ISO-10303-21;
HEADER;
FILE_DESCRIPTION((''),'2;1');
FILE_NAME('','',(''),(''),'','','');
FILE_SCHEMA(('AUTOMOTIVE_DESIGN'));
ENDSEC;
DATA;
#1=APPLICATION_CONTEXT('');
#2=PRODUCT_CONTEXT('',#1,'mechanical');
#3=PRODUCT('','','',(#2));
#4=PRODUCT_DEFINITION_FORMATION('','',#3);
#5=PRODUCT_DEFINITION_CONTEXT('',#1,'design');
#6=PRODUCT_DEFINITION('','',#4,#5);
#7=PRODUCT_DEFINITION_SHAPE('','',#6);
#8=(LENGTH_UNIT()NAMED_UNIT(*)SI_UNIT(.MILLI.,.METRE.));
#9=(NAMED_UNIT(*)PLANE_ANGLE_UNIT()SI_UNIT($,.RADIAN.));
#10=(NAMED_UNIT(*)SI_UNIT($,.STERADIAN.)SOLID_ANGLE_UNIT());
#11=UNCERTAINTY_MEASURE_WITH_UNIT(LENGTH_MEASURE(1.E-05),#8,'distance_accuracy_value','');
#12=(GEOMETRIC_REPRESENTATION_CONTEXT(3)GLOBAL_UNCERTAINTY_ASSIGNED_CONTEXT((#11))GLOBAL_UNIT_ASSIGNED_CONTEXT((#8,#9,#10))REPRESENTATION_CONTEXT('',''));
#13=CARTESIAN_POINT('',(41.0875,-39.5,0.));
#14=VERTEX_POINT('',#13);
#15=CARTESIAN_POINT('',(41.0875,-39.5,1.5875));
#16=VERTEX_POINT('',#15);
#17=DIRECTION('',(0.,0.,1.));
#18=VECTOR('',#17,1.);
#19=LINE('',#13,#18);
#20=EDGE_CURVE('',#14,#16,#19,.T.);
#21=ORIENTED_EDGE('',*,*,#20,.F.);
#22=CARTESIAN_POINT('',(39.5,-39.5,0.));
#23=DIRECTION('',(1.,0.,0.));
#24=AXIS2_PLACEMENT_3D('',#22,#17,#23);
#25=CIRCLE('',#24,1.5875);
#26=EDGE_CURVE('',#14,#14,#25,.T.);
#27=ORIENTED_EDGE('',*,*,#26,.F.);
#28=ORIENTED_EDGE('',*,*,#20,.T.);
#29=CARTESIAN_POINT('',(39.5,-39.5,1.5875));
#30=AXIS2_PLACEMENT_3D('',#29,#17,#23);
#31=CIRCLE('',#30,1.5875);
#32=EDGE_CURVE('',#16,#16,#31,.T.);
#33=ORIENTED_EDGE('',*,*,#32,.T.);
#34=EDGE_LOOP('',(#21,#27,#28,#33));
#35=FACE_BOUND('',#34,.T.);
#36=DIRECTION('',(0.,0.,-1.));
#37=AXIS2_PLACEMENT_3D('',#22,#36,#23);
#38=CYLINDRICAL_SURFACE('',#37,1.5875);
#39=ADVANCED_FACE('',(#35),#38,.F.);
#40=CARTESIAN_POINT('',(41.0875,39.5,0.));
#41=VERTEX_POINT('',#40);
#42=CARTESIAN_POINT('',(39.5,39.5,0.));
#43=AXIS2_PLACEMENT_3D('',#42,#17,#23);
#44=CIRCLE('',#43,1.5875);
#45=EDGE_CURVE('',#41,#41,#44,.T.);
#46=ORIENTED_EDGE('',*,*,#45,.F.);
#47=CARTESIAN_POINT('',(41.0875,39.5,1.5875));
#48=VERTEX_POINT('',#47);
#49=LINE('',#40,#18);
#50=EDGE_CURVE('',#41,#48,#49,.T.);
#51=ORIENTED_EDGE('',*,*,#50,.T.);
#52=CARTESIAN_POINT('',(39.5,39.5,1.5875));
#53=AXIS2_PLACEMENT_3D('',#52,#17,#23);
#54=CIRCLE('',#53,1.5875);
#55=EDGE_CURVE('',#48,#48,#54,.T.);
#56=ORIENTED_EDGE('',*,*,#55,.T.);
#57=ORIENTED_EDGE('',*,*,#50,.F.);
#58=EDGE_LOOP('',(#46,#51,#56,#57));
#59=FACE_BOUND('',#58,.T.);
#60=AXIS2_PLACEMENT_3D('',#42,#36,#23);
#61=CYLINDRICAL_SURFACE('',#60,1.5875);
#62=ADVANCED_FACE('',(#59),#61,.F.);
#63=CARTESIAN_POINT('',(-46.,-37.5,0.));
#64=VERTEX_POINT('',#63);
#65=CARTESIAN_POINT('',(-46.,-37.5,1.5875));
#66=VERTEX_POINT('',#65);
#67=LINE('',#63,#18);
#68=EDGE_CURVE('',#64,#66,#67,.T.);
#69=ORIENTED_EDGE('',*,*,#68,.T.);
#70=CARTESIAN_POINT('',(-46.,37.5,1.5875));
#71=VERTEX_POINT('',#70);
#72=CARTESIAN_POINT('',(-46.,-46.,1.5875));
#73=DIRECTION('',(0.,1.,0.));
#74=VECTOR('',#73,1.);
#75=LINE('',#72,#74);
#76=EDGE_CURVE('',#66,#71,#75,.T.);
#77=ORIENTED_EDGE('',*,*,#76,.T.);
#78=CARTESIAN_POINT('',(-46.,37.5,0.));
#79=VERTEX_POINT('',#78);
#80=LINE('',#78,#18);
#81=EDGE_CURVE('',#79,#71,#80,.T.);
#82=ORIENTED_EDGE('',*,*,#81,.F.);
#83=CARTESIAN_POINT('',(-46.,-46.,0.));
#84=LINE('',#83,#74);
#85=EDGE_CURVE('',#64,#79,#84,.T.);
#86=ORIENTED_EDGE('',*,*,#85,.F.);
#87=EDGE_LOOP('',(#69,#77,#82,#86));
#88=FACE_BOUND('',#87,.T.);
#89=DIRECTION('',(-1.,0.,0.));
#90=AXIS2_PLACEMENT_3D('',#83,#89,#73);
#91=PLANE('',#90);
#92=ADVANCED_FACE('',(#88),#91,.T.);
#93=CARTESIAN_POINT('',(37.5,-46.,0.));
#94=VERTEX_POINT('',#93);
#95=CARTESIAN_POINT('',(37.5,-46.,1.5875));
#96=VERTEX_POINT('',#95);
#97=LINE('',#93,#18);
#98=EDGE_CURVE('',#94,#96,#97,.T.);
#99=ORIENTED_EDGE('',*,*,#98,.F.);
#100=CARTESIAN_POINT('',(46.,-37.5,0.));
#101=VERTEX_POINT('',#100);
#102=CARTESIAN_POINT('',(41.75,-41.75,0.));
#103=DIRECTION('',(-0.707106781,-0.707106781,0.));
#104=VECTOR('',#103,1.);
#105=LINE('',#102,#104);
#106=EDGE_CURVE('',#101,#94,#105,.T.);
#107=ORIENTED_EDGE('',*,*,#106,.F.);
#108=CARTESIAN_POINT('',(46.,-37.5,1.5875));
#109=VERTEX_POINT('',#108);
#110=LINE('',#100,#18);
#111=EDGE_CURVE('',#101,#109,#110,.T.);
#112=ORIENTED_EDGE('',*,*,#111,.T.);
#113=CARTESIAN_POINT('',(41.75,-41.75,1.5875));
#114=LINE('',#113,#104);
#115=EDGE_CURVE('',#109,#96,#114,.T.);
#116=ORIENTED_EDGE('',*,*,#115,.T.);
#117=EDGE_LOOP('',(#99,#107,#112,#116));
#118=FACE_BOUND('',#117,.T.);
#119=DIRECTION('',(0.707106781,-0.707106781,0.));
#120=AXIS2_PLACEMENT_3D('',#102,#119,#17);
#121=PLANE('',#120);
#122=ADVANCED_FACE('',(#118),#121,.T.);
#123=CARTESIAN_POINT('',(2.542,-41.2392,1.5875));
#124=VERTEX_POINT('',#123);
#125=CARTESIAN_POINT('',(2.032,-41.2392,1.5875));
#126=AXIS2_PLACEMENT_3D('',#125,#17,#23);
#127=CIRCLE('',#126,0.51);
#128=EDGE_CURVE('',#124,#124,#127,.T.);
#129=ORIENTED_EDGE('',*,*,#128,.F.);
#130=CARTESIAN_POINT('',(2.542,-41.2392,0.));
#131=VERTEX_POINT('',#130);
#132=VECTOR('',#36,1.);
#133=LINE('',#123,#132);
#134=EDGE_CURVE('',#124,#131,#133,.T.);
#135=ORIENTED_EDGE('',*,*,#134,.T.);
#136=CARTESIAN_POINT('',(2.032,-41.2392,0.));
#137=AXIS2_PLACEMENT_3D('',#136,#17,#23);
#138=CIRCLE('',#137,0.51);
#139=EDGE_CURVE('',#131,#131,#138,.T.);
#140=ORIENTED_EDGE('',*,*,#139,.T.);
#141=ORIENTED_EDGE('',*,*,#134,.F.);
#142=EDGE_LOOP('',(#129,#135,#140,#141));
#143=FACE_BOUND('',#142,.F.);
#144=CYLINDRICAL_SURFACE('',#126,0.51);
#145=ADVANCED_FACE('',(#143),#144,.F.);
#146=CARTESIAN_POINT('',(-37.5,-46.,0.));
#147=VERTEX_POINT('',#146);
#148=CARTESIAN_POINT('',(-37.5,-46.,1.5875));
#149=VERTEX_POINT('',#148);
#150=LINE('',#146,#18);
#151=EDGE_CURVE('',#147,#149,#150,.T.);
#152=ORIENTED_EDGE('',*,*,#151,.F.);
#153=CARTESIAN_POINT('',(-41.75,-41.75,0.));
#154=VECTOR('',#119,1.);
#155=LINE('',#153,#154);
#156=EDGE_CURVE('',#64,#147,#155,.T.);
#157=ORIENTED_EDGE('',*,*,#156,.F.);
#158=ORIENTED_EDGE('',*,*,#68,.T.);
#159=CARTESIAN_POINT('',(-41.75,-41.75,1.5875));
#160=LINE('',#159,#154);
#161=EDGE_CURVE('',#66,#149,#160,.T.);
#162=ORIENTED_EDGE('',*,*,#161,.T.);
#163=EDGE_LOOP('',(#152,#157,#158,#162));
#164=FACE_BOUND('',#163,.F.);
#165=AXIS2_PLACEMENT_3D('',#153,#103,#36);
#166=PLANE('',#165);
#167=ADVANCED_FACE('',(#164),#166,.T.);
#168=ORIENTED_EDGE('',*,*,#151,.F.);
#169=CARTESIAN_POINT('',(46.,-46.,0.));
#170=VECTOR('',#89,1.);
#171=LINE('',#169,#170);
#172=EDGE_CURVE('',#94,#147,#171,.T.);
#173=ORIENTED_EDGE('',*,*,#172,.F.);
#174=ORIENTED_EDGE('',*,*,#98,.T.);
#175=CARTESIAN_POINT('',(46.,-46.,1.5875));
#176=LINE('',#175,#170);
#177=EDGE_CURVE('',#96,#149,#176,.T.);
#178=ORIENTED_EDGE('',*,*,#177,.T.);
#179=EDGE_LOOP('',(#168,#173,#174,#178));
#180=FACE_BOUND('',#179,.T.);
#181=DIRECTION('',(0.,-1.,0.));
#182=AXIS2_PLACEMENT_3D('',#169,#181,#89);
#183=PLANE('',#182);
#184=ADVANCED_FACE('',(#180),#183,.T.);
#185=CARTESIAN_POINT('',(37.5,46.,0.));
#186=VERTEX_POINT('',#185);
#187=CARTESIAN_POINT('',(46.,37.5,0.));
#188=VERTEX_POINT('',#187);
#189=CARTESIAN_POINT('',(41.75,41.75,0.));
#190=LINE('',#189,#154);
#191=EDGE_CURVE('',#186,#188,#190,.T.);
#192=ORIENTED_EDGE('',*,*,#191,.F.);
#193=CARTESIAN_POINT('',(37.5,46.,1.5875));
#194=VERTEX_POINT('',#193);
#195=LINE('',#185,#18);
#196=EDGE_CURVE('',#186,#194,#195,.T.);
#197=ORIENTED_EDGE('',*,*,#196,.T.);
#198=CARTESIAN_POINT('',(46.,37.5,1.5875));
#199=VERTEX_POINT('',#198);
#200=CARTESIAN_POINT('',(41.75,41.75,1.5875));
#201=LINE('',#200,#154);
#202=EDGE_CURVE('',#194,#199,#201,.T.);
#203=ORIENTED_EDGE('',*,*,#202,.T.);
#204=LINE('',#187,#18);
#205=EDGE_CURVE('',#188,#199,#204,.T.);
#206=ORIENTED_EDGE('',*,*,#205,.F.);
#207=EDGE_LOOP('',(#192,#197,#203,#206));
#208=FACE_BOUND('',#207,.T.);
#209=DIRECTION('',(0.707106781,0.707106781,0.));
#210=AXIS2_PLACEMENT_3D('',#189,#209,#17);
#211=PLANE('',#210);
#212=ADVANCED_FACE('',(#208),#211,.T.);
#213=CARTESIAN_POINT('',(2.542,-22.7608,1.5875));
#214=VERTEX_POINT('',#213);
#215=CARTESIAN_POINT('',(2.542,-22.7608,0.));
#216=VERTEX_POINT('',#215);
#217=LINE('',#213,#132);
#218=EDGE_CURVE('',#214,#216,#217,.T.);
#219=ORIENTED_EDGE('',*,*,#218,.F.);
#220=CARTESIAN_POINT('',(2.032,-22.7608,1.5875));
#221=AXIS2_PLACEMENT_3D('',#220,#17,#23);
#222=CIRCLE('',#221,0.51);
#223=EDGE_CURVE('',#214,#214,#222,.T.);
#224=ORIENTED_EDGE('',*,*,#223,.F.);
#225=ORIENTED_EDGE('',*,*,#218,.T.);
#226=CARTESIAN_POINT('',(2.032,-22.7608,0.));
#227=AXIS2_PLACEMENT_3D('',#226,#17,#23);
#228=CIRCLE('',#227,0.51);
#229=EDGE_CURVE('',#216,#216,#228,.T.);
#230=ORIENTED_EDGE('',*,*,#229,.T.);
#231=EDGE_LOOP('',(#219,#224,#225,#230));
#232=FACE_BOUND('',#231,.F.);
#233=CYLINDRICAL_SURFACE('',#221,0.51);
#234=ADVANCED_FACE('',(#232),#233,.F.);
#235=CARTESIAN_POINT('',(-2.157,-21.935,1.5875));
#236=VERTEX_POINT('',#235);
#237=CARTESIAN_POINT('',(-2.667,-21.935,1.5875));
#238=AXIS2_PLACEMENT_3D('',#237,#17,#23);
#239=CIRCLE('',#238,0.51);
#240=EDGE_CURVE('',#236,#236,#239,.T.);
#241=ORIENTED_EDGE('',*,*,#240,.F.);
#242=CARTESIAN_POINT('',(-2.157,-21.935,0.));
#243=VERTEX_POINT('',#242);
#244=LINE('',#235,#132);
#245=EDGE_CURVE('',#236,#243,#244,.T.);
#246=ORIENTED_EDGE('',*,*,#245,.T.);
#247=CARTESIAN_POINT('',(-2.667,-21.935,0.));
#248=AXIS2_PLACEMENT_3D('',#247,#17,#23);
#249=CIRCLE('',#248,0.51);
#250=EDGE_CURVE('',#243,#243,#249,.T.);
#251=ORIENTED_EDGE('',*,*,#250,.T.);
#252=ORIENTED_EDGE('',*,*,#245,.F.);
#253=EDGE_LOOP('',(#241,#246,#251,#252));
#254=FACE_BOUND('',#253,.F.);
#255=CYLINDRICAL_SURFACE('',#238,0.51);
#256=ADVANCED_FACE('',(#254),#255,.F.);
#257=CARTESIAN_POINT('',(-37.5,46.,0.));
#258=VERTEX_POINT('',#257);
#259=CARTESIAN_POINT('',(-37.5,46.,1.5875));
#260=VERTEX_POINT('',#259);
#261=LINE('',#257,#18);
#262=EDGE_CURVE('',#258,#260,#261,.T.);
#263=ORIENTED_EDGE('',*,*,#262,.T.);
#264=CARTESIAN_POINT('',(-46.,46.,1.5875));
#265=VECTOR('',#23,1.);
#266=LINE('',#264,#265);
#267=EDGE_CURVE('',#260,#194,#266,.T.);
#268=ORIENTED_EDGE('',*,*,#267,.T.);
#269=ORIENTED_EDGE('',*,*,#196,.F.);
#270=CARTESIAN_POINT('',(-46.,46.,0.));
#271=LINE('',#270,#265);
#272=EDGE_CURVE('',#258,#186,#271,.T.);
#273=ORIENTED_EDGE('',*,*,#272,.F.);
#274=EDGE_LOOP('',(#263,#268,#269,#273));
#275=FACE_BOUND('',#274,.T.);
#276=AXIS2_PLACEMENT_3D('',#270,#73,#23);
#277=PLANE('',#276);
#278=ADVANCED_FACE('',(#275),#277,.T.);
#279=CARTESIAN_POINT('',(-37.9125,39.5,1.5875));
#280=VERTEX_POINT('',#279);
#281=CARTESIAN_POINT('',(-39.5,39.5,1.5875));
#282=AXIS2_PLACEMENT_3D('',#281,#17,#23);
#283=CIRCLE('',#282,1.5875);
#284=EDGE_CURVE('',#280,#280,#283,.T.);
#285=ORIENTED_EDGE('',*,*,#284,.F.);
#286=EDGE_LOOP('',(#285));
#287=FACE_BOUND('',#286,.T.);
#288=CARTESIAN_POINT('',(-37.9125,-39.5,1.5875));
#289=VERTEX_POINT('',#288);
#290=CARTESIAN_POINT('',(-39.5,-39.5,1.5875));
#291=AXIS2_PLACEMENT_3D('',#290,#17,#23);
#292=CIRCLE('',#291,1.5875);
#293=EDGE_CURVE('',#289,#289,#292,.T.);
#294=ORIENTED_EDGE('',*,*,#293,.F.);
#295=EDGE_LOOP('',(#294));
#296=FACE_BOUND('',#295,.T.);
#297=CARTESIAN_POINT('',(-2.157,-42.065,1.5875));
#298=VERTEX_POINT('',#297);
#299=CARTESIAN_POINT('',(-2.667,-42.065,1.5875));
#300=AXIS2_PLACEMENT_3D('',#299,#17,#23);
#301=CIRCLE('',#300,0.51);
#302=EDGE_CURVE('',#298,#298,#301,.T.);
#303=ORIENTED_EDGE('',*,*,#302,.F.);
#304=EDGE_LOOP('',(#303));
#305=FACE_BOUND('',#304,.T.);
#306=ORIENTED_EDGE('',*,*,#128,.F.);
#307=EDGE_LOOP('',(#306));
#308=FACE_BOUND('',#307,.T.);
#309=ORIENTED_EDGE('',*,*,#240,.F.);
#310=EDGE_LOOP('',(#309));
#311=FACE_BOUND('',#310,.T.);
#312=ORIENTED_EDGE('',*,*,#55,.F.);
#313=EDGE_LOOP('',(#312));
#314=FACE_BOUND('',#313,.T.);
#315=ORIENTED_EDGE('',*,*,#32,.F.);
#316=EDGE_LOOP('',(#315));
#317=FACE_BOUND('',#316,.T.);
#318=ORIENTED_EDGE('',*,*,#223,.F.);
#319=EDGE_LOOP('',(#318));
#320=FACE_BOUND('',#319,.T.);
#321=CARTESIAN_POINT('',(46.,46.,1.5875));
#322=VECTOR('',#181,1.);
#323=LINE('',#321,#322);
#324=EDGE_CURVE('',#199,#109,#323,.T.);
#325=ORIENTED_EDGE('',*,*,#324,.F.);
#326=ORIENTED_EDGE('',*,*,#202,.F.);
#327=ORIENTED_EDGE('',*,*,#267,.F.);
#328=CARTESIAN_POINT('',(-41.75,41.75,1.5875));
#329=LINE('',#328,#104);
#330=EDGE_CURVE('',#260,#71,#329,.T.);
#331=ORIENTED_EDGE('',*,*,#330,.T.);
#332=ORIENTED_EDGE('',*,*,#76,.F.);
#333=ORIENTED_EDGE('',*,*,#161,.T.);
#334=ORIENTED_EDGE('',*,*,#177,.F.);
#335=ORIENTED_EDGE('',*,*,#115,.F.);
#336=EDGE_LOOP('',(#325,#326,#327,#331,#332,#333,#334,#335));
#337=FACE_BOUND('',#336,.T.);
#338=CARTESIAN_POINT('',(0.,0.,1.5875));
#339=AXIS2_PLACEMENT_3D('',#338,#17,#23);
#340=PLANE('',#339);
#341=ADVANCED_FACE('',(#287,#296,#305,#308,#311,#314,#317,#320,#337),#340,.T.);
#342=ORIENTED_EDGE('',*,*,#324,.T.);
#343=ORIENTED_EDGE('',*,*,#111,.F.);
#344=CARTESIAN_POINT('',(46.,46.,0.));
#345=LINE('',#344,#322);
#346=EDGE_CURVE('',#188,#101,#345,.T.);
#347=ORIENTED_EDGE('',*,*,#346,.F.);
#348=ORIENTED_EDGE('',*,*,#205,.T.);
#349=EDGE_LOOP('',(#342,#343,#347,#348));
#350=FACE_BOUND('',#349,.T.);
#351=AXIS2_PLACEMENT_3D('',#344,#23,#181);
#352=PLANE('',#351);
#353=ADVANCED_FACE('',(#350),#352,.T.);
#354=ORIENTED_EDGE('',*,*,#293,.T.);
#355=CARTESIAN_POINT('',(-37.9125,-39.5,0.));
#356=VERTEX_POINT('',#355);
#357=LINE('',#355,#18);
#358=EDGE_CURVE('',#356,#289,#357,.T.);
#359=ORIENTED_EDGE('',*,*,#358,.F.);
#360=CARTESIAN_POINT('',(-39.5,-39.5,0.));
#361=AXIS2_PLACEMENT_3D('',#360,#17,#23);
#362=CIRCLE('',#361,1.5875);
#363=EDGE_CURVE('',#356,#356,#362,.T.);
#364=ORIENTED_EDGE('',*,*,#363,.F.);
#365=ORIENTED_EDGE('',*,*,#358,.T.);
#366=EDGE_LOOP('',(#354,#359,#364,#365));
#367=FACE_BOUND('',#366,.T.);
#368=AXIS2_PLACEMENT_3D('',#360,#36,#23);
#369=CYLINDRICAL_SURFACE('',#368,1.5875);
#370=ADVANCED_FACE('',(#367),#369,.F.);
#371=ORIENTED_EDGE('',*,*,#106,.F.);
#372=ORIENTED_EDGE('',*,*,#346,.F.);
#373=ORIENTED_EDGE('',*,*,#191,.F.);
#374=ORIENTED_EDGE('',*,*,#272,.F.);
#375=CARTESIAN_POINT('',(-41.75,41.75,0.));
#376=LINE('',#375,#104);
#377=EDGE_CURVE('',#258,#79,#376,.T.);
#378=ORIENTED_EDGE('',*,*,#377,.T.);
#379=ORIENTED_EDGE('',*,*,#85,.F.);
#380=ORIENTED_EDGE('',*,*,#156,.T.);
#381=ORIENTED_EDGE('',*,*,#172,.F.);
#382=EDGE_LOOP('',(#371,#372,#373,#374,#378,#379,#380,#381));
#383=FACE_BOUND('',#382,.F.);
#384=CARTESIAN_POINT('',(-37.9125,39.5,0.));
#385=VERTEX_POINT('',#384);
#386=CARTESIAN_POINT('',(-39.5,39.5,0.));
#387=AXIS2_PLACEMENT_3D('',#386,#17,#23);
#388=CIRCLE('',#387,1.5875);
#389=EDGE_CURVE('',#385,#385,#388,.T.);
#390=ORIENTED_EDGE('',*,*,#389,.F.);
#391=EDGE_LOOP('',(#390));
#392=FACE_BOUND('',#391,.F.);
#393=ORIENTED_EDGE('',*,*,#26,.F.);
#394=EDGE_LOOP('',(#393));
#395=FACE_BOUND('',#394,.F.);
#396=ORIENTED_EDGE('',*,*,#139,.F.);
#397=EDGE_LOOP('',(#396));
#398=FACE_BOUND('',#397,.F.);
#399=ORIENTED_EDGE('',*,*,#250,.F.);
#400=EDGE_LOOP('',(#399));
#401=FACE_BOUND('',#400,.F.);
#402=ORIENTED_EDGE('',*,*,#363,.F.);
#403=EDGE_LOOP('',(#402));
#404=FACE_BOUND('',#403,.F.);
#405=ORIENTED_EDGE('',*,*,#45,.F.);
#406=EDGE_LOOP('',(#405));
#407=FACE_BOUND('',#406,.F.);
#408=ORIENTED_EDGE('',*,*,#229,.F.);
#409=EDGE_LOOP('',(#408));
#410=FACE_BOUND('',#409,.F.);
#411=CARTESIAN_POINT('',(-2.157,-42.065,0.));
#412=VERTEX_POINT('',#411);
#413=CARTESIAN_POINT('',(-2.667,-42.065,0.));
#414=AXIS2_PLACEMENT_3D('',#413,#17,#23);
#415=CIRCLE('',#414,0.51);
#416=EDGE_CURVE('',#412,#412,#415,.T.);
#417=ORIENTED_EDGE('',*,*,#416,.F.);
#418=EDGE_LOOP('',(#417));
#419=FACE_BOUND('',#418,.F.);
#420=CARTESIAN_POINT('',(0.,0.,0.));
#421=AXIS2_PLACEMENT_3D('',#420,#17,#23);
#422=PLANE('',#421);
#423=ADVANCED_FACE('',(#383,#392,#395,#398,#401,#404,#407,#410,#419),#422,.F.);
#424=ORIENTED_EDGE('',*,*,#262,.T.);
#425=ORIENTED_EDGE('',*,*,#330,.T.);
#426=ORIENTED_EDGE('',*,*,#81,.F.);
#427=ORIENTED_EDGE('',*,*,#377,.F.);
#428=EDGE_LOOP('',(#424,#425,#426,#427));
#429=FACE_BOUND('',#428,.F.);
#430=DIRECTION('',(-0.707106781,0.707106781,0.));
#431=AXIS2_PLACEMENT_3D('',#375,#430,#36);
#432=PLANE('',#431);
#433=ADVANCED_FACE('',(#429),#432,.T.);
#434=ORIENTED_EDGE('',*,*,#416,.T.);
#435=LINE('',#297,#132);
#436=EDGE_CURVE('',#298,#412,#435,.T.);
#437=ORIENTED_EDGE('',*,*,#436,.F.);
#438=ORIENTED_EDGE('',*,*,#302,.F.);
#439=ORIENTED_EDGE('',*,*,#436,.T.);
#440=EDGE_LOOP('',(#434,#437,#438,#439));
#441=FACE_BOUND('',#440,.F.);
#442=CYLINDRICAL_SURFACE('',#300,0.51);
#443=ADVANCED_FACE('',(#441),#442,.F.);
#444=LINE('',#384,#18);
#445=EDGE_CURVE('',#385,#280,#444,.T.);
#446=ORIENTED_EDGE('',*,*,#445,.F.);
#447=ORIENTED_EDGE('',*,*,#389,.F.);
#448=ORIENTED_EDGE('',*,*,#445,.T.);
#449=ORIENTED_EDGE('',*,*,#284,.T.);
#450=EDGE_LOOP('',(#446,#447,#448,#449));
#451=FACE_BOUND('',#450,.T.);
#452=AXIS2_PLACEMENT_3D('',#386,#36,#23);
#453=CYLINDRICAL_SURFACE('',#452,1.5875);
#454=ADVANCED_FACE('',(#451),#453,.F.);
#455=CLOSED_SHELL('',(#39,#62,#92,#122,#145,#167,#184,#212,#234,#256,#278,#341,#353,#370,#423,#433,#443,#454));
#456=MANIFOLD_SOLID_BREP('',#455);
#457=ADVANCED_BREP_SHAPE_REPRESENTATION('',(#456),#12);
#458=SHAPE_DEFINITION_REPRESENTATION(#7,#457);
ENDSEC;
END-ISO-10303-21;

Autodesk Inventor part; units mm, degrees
ref_plane "XY Plane" through (0, 0, 0) normal (0, 0, 1) x (1, 0, 0)
sketch "Sketch1" plane through (0, 0, 0) normal (0, 0, 1) x (1, 0, 0)
  line L0 (-46, 46) -> (46, 46)
  line L1 (46, 46) -> (46, -46)
  line L2 (46, -46) -> (-46, -46)
  line L3 (-46, -46) -> (-46, 46)
  circle A0 centre (39.5, 39.5) radius 1.5875
  circle A1 centre (-39.5, 39.5) radius 1.5875
  circle A2 centre (-39.5, -39.5) radius 1.5875
  circle A3 centre (39.5, -39.5) radius 1.5875
  line L4 (0, 10.5587) -> (0, 0)
  line L5 (0, 0) -> (12.3531, 0)
  circle A4 centre (-39.5, 39.5) radius 3.175 construction
  line L6 (-38, 44.6281) -> (-38, 37.8613) construction
  dimension "d0" = 92
  dimension "d1" = 92
  dimension "d508" = 3.175
  dimension "d509" = 79
  dimension "d510" = 79
  dimension "d511" = 6.35
  dimension "d515" = 76
extrude "Extrusion1" add sketch "Sketch1" along normal blind 1.5875
ref_plane "Work Plane_ConnX" through (-32, 0, 0) normal (1, 0, 0) x (0, 1, 0)
ref_plane "Work Plane_ConnY" through (0, 0, 0) normal (0, 1, 0) x (-1, 0, 0)
sketch "Sketch9" plane through (0, 0, 1.5875) normal (0, 0, 1) x (1, 0, 0)
  line L0 (46, 46) -> (46, -46) projected
  line L1 (58.5598, -32) -> (-58.5598, -32)
  circle A0 centre (-2.667, -21.935) radius 0.51
  circle A1 centre (-2.667, -42.065) radius 0.51
  line L2 (0, 26.5598) -> (0, -90.5598) construction
  point P0 (0, 0)
  point P1 (0, -32)
  dimension "d134" = 20.13
  dimension "d136" = 2.667
  dimension "d138" = 1.02
  dimension "d141" = 180
  dimension "d350" = 32
  dimension "d351" = 0
extrude "Holes_Conn_Zminus" cut sketch "Sketch9" against normal through all
sketch "Sketch22" plane through (0, 0, 1.5875) normal (0, 0, 1) x (1, 0, 0)
  line L0 (46, 46) -> (46, -46) projected
  line L1 (0, -1.0026) -> (0, -62.9974) construction
  line L2 (62.8115, -32) -> (-62.8115, -32)
  circle A0 centre (2.032, -22.7608) radius 0.51
  circle A1 centre (2.032, -41.2392) radius 0.51
  point P0 (46, -35)
  point P1 (46, 35)
  point P2 (0, 0)
  point P3 (0, -32)
  dimension "d282" = 180
  dimension "d283" = 18.4785
  dimension "d284" = 1.02
  dimension "d285" = 2.032
  dimension "d352" = 32
  dimension "d353" = 0
extrude "Holes_Conn_Zplus" cut sketch "Sketch22" against normal through all
chamfer "Chamfer4" distance 8.5 angle 45 4 edges at (-46, 46, 0.7937) (46, 46, 0.7937) (46, -46, 0.7937) (-46, -46, 0.7937)
sketch "Sketch31" plane through (0, 0, 1.5875) normal (0, 0, 1) x (1, 0, 0)
  circle A0 centre (39.5, -39.5) radius 3.175
  circle A1 centre (39.5, 39.5) radius 3.175
  circle A2 centre (-39.5, 39.5) radius 3.175
  circle A3 centre (-39.5, -39.5) radius 3.175
  point P0 (0, 0)
  dimension "d5" = 0
  dimension "d516" = 6.35
sketch "Sketch32" plane through (0, 0, 1.5875) normal (0, 0, 1) x (1, 0, 0)
  line L0 (34, -46) -> (34, -37.2218)
  line L1 (34, -37.2218) -> (37.2218, -34)
  line L2 (37.2218, -34) -> (46, -34)
  line L3 (46, 34) -> (37.2218, 34)
  line L4 (37.2218, 34) -> (34, 37.2218)
  line L5 (34, 37.2218) -> (34, 46)
  line L6 (-34, 46) -> (-34, 37.2218)
  line L7 (-34, 37.2218) -> (-37.2218, 34)
  line L8 (-37.2218, 34) -> (-46, 34)
  line L9 (-34, -46) -> (-34, -37.2218)
  line L10 (-34, -37.2218) -> (-37.2218, -34)
  line L11 (-37.2218, -34) -> (-46, -34)
  point P0 (39.5, -39.5)
  point P1 (0, 0)
  dimension "d5" = 0
  dimension "d519" = 5.5
  dimension "d520" = 5.5
sketch "Sketch33" plane through (0, 0, 1.5875) normal (0, 0, 1) x (1, 0, 0)
  line L0 (37.5, -46) -> (-37.5, -46) projected
  line L1 (46, 37.5) -> (46, -37.5) projected
  line L2 (-37.5, 46) -> (37.5, 46) projected
  line L3 (-45.0742, 44.5) -> (45.0742, 44.4997) construction
  line L4 (45.0742, 44.4997) -> (45.074, -47.5003) construction
  line L5 (45.074, -47.5003) -> (-45.0745, -47.5) construction
  line L6 (-45.0745, -47.5) -> (-45.0742, 44.5) construction
  point P0 (0, 0)
  point P1 (45.0741, -1.5003)
  point P2 (46, 0)
  point P3 (0, 46)
  point P4 (0, 44.4999)
  dimension "d537" = 92
  dimension "d557" = 1.5
decal "Decal4"
sketch "Sketch34" plane through (0, 0, 0) normal (0, 0, -1) x (-1, 0, 0)
  line L0 (37.5, 46) -> (-37.5, 46) projected
  line L1 (-37.5, -46) -> (37.5, -46) projected
  line L2 (-44.9565, 44.5) -> (44.9565, 44.5) construction
  line L3 (44.9565, 44.5) -> (44.9565, -47.5) construction
  line L4 (44.9565, -47.5) -> (-44.9565, -47.5) construction
  line L5 (-44.9565, -47.5) -> (-44.9565, 44.5) construction
  point P0 (0, 0)
  point P1 (0, 44.5)
  point P2 (0, 46)
  dimension "d559" = 92
  dimension "d564" = 1.5
decal "Decal5"
properties part number "PCB_LIHU" material "FR4"
